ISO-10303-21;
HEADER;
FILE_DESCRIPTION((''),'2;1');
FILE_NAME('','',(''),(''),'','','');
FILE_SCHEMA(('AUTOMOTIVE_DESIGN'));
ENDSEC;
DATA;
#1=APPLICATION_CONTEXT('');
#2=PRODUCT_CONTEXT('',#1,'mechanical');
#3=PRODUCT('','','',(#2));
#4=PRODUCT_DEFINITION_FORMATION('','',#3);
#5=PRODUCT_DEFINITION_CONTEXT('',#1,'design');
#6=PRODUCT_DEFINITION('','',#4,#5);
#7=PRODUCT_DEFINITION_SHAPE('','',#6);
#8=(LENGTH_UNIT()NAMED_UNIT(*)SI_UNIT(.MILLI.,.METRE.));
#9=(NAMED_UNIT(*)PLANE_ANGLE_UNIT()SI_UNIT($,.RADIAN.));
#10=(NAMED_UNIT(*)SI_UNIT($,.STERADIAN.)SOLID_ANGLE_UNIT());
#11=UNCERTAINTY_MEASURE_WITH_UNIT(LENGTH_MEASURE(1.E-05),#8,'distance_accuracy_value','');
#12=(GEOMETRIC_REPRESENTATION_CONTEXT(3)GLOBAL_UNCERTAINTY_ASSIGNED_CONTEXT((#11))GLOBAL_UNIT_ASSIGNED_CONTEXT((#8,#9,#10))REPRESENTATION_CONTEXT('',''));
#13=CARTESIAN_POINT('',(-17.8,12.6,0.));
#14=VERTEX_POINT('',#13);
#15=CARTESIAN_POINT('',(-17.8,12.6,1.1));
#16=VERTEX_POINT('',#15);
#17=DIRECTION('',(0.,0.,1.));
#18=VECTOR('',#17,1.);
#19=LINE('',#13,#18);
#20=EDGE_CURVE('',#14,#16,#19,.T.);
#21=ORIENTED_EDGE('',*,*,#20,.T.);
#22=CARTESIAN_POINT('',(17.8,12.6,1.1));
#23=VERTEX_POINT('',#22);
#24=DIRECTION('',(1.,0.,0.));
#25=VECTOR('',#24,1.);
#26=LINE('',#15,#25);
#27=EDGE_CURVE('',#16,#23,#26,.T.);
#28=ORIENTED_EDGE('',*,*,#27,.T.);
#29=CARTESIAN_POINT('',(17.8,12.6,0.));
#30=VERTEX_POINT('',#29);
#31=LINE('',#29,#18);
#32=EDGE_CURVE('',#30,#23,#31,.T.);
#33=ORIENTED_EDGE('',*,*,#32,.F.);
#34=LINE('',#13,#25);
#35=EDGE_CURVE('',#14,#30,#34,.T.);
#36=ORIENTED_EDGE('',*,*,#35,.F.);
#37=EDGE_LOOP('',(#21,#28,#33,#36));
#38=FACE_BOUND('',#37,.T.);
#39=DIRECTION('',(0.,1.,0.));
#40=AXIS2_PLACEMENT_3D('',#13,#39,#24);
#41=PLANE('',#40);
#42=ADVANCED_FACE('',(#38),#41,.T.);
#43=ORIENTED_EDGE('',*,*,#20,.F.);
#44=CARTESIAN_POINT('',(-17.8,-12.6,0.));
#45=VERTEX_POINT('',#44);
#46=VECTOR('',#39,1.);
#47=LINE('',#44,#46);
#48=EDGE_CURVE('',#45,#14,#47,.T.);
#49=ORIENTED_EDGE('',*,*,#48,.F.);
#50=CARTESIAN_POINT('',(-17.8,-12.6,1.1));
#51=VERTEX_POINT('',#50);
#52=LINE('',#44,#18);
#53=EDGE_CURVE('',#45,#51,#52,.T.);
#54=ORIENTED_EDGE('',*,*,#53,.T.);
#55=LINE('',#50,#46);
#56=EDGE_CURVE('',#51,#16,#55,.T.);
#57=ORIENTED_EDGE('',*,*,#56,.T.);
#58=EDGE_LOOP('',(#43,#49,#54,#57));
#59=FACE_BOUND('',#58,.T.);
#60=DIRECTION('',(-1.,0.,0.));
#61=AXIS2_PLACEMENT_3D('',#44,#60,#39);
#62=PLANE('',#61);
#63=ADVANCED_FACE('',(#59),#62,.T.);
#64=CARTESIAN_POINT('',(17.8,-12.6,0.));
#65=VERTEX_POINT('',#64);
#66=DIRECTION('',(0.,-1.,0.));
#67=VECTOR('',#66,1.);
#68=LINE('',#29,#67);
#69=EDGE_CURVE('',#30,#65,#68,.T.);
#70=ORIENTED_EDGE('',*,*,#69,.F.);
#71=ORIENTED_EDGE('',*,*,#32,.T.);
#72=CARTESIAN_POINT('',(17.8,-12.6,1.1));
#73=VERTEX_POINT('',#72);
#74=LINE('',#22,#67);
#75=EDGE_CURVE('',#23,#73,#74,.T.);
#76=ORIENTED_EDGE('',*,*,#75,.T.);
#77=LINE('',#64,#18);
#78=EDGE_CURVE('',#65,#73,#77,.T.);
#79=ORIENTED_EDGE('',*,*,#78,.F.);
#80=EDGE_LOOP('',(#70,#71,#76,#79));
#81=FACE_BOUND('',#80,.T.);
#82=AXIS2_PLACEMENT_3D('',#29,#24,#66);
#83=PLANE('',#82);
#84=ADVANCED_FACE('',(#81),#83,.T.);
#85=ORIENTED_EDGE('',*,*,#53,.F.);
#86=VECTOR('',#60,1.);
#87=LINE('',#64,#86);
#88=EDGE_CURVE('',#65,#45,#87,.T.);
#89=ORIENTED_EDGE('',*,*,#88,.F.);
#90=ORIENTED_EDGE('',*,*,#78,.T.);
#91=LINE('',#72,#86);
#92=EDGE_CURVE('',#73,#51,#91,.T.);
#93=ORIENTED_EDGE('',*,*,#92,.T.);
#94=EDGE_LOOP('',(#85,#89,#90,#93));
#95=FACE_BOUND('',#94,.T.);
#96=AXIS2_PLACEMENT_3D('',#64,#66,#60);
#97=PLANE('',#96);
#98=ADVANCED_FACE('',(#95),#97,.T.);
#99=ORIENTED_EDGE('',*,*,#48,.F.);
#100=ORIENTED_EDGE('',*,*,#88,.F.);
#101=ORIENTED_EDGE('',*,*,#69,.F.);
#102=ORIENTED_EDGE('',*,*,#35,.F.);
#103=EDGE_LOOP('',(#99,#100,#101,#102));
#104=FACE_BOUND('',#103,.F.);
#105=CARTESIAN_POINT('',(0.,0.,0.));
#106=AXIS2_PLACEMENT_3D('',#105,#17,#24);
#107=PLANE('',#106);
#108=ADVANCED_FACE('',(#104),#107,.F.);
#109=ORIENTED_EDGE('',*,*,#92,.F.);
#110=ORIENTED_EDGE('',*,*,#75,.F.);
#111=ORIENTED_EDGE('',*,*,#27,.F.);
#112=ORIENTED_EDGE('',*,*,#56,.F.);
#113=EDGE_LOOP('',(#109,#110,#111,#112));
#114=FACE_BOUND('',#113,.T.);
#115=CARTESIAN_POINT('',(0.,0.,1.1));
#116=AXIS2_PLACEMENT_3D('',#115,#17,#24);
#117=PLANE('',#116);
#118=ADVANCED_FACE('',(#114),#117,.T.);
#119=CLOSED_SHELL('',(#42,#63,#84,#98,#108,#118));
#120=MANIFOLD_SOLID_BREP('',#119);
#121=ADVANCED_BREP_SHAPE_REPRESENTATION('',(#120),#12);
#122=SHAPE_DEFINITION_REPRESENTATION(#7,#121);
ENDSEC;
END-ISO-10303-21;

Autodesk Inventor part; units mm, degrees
ref_plane "YZ Plane" through (0, 0, 0) normal (1, 0, 0) x (0, 1, 0)
ref_plane "XZ Plane" through (0, 0, 0) normal (0, 1, 0) x (-1, 0, 0)
sketch "Sketch1" plane through (0, 0, 0) normal (0, 0, 1) x (1, 0, 0)
  line L0 (-17.8, 12.6) -> (17.8, 12.6)
  line L1 (17.8, 12.6) -> (17.8, -12.6)
  line L2 (17.8, -12.6) -> (-17.8, -12.6)
  line L3 (-17.8, -12.6) -> (-17.8, 12.6)
  circle A0 centre (0, 0) radius 1
  dimension "d0" = 35.6
  dimension "d1" = 25.2
  dimension "d2" = 17.8
  dimension "d3" = 12.6
extrude "Extrusion1" add sketch "Sketch1" along normal blind 1.1 contours L0 L1 L2 L3 | A0
ref_plane "Work Plane1" through (3.8, -12.6, 0) normal (1, 0, 0) x (0, 0, -1)
properties part number "Semrock Di02-R561 dichroic beamsplitter"
